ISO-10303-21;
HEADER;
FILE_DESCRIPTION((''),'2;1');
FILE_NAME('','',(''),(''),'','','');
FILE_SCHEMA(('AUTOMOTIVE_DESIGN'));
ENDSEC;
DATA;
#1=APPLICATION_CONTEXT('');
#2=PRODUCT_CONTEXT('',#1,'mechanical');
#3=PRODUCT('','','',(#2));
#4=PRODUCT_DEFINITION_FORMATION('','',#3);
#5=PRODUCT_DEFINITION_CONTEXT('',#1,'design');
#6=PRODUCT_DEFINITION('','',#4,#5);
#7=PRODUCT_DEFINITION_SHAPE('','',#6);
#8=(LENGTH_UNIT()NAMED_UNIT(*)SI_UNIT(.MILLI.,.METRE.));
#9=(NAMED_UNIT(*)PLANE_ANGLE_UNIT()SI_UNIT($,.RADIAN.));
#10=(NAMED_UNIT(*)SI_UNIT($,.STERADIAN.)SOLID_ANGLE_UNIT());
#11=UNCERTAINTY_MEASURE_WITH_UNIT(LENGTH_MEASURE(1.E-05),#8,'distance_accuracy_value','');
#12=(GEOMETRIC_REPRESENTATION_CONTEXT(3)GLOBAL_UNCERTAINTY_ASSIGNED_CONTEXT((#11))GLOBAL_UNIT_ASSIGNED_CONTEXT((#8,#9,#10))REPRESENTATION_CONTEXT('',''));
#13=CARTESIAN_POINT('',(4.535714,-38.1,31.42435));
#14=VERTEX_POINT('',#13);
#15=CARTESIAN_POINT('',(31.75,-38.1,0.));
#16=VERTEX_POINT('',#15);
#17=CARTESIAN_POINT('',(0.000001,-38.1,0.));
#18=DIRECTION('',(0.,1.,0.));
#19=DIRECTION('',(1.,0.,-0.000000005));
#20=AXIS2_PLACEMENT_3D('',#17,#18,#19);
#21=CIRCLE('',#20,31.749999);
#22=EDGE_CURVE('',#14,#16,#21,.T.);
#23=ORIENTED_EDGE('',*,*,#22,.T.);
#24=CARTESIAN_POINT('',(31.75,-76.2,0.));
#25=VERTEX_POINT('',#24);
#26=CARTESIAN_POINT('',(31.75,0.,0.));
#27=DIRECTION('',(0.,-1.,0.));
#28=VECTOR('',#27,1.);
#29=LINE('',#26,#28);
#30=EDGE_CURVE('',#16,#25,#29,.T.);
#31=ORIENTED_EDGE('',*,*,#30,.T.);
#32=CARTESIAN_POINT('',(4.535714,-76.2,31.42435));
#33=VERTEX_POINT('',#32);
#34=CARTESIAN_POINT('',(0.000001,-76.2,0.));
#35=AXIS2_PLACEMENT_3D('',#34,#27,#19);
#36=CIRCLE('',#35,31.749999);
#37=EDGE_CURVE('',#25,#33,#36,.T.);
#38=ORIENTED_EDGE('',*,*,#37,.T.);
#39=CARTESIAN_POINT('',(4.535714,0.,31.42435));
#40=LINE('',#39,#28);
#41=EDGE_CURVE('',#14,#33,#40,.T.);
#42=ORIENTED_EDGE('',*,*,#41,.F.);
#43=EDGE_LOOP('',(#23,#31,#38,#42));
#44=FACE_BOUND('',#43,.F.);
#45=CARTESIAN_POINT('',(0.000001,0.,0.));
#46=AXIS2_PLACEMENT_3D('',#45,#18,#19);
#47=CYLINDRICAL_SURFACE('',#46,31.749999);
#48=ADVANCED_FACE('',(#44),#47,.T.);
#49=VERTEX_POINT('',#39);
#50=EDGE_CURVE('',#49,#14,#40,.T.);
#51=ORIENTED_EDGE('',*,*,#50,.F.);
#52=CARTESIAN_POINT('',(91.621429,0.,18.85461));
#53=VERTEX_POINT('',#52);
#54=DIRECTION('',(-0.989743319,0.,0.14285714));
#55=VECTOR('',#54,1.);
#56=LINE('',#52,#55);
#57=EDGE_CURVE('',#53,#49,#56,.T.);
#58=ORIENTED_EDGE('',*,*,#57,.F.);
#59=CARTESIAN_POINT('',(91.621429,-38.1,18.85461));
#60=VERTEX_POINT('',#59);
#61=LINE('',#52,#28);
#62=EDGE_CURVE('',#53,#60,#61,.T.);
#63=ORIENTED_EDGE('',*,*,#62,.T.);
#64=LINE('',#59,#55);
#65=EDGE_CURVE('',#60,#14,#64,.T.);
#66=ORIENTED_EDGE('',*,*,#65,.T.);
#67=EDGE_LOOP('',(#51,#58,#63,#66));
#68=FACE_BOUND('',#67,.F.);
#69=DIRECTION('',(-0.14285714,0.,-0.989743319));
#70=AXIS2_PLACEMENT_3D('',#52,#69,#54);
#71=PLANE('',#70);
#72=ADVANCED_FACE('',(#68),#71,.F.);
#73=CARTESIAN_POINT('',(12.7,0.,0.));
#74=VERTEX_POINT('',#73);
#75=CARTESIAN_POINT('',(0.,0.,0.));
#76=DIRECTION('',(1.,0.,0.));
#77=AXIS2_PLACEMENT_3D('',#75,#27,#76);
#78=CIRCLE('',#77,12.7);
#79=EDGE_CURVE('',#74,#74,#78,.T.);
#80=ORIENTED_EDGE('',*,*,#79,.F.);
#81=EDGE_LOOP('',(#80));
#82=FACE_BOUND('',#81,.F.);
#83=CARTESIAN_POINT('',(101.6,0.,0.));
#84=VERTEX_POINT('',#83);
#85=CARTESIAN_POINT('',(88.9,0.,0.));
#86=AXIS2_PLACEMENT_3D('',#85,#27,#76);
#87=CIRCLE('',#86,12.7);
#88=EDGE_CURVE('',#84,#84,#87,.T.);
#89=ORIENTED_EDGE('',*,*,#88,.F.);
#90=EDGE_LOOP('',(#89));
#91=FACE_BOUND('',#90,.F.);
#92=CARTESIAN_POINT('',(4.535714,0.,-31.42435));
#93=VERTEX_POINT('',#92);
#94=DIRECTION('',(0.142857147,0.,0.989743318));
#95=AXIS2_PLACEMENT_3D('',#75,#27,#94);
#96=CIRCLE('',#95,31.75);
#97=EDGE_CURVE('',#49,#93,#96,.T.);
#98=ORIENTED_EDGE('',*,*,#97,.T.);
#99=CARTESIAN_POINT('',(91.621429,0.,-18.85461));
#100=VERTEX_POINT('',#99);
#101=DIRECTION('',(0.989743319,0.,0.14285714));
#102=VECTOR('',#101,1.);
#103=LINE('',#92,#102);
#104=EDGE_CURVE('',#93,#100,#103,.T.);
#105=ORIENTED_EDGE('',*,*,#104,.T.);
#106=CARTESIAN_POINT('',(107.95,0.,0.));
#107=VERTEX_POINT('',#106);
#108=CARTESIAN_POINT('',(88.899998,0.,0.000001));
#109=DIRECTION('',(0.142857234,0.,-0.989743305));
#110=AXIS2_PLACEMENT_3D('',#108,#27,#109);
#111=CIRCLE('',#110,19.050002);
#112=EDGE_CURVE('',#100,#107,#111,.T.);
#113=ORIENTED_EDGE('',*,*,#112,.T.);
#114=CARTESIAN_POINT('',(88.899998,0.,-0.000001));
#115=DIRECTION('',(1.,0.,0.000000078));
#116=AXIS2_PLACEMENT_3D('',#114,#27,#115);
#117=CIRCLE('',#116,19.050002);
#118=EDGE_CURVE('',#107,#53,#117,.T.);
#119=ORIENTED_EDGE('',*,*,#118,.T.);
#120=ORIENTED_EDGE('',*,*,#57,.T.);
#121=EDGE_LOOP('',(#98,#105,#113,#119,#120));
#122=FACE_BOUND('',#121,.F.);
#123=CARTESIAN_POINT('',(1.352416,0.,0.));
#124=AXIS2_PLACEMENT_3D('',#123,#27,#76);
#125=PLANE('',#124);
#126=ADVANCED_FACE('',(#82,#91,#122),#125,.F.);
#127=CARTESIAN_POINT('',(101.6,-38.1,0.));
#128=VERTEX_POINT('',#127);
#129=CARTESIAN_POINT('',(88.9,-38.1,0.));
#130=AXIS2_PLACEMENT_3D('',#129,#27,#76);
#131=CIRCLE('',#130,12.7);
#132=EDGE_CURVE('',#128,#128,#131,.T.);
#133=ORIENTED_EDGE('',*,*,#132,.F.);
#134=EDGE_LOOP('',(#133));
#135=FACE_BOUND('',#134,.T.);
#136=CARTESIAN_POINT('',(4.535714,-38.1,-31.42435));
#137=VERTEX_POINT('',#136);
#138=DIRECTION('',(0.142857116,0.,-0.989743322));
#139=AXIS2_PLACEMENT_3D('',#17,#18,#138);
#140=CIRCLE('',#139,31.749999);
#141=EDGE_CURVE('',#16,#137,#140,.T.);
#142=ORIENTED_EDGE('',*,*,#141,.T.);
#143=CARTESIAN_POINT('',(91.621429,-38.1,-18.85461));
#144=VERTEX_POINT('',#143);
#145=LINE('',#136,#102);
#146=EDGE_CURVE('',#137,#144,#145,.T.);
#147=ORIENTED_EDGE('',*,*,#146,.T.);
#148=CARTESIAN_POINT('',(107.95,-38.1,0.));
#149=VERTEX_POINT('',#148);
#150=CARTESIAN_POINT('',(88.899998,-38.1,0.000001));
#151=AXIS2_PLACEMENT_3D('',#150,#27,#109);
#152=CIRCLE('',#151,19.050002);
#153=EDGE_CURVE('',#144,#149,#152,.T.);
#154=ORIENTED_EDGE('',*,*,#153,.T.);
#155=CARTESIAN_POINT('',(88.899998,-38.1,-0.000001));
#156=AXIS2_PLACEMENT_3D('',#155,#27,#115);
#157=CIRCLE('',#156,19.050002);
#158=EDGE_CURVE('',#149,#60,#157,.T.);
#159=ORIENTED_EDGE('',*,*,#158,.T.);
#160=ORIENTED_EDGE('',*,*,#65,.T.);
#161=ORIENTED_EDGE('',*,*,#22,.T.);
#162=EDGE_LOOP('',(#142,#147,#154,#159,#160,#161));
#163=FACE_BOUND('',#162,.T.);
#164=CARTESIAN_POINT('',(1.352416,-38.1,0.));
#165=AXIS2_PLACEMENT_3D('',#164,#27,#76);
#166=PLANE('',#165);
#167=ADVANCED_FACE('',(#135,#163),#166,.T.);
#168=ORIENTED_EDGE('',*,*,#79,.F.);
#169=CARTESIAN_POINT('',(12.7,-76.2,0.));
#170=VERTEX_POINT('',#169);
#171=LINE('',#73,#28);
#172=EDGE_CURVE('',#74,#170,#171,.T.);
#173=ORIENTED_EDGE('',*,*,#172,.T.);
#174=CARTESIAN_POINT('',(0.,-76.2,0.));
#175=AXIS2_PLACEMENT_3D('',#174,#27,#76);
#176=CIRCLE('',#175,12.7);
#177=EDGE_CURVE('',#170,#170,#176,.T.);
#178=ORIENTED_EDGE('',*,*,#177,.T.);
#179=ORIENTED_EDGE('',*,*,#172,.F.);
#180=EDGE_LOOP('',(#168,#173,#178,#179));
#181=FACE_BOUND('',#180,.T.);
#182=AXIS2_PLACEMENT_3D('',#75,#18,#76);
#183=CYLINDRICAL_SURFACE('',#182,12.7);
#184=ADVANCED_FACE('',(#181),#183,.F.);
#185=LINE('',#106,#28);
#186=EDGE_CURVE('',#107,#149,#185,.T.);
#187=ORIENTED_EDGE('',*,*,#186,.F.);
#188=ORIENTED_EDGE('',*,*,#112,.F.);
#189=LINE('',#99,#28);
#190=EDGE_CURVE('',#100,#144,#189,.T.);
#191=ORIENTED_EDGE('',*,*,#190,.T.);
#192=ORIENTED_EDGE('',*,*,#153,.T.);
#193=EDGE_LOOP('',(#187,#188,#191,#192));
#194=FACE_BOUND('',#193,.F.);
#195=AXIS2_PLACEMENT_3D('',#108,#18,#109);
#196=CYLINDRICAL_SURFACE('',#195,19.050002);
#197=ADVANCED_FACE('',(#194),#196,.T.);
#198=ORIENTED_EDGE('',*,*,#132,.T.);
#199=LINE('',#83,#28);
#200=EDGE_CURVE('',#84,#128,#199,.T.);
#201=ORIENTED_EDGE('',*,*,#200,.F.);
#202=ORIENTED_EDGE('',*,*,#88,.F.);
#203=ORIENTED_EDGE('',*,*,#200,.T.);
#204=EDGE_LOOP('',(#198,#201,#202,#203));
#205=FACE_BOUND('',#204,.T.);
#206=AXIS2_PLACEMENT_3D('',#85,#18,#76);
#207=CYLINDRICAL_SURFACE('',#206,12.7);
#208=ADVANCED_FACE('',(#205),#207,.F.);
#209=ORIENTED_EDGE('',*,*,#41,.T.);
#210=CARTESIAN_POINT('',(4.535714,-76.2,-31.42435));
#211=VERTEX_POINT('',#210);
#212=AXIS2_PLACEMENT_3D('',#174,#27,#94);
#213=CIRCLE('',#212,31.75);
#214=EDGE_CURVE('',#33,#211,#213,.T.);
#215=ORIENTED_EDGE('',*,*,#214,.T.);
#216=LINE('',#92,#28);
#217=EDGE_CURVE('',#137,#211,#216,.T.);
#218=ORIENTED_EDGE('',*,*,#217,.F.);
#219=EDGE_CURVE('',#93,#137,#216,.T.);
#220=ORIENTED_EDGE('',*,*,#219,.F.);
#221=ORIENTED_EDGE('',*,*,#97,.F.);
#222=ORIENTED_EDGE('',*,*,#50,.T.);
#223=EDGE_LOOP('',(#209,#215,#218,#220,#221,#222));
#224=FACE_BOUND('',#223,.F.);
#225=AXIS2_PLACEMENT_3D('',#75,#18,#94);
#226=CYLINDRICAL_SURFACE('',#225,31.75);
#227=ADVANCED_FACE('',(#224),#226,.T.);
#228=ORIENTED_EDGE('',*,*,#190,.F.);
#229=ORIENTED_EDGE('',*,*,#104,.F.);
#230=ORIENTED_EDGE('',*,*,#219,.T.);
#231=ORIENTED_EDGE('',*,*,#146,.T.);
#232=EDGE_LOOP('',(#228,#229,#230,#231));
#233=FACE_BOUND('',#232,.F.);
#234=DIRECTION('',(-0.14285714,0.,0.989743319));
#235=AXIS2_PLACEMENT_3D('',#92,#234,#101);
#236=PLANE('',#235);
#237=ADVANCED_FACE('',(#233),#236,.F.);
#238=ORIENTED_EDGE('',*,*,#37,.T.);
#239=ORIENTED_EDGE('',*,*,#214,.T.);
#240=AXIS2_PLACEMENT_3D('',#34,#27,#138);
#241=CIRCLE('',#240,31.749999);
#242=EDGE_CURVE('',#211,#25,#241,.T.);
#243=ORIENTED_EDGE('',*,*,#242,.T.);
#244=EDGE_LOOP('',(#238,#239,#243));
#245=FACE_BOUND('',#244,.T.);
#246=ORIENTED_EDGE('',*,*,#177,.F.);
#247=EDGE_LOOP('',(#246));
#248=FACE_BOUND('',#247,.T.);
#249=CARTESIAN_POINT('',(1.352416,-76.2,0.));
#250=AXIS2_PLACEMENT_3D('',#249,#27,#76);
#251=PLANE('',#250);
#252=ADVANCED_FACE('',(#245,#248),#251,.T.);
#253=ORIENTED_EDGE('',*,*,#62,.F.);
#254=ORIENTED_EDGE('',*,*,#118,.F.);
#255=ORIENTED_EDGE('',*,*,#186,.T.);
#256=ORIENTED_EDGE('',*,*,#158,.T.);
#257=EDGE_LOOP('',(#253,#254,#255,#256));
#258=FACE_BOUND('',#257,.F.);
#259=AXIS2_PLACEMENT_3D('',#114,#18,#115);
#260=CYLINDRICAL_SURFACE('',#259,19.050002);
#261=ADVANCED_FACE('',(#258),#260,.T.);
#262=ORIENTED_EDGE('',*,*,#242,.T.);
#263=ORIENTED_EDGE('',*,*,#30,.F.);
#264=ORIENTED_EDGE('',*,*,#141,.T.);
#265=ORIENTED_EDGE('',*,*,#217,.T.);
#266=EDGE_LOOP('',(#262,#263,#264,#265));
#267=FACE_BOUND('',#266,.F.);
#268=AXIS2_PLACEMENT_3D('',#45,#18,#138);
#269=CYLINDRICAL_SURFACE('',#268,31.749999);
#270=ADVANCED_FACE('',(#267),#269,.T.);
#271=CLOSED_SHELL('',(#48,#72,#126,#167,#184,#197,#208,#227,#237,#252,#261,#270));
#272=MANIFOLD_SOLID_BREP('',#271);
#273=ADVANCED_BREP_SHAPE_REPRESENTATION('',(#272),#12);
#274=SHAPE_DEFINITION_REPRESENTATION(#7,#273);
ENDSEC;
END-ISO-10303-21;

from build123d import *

# Parameters (mm, degrees)
F0_R     = 12.7
F1_DEPTH = 38.1
F2_DEPTH = 76.2


with BuildPart() as f1:
    # F0 (on Front) → F1 (new body)
    with BuildSketch(Plane.XZ):
        with BuildLine():
            ThreePointArc((4.535714, -31.42435), (24.000744, -20.785254), (31.75, 0))
            ThreePointArc((31.75, 0), (24.000744, 20.785254), (4.535714, 31.42435))
            ThreePointArc((4.535714, 31.42435), (-31.75, 0), (4.535714, -31.42435))
        make_face()
        Circle(F0_R, mode=Mode.SUBTRACT)
        with BuildLine():
            ThreePointArc((4.535714, 31.42435), (24.000744, 20.785254), (31.75, 0))
            ThreePointArc((31.75, 0), (24.000744, -20.785254), (4.535714, -31.42435))
            Line((4.535714, -31.42435), (91.621429, -18.85461))
            ThreePointArc((91.621429, -18.85461), (69.85, 0), (91.621429, 18.85461))
            Line((91.621429, 18.85461), (4.535714, 31.42435))
        make_face()
        with BuildLine():
            ThreePointArc((107.95, 0), (103.300446, 12.471152), (91.621429, 18.85461))
            ThreePointArc((91.621429, 18.85461), (69.85, 0), (91.621429, -18.85461))
            ThreePointArc((91.621429, -18.85461), (103.300446, -12.471152), (107.95, 0))
        make_face()
        with Locations((88.9, 0)):
            Circle(F0_R, mode=Mode.SUBTRACT)
    extrude(amount=F1_DEPTH)

    # F0 (on Front) → F2 (join)
    with BuildSketch(Plane.XZ):
        with BuildLine():
            ThreePointArc((4.535714, -31.42435), (24.000744, -20.785254), (31.75, 0))
            ThreePointArc((31.75, 0), (24.000744, 20.785254), (4.535714, 31.42435))
            ThreePointArc((4.535714, 31.42435), (-31.75, 0), (4.535714, -31.42435))
        make_face()
        Circle(F0_R, mode=Mode.SUBTRACT)
    extrude(amount=F2_DEPTH)


solid = f1.part
